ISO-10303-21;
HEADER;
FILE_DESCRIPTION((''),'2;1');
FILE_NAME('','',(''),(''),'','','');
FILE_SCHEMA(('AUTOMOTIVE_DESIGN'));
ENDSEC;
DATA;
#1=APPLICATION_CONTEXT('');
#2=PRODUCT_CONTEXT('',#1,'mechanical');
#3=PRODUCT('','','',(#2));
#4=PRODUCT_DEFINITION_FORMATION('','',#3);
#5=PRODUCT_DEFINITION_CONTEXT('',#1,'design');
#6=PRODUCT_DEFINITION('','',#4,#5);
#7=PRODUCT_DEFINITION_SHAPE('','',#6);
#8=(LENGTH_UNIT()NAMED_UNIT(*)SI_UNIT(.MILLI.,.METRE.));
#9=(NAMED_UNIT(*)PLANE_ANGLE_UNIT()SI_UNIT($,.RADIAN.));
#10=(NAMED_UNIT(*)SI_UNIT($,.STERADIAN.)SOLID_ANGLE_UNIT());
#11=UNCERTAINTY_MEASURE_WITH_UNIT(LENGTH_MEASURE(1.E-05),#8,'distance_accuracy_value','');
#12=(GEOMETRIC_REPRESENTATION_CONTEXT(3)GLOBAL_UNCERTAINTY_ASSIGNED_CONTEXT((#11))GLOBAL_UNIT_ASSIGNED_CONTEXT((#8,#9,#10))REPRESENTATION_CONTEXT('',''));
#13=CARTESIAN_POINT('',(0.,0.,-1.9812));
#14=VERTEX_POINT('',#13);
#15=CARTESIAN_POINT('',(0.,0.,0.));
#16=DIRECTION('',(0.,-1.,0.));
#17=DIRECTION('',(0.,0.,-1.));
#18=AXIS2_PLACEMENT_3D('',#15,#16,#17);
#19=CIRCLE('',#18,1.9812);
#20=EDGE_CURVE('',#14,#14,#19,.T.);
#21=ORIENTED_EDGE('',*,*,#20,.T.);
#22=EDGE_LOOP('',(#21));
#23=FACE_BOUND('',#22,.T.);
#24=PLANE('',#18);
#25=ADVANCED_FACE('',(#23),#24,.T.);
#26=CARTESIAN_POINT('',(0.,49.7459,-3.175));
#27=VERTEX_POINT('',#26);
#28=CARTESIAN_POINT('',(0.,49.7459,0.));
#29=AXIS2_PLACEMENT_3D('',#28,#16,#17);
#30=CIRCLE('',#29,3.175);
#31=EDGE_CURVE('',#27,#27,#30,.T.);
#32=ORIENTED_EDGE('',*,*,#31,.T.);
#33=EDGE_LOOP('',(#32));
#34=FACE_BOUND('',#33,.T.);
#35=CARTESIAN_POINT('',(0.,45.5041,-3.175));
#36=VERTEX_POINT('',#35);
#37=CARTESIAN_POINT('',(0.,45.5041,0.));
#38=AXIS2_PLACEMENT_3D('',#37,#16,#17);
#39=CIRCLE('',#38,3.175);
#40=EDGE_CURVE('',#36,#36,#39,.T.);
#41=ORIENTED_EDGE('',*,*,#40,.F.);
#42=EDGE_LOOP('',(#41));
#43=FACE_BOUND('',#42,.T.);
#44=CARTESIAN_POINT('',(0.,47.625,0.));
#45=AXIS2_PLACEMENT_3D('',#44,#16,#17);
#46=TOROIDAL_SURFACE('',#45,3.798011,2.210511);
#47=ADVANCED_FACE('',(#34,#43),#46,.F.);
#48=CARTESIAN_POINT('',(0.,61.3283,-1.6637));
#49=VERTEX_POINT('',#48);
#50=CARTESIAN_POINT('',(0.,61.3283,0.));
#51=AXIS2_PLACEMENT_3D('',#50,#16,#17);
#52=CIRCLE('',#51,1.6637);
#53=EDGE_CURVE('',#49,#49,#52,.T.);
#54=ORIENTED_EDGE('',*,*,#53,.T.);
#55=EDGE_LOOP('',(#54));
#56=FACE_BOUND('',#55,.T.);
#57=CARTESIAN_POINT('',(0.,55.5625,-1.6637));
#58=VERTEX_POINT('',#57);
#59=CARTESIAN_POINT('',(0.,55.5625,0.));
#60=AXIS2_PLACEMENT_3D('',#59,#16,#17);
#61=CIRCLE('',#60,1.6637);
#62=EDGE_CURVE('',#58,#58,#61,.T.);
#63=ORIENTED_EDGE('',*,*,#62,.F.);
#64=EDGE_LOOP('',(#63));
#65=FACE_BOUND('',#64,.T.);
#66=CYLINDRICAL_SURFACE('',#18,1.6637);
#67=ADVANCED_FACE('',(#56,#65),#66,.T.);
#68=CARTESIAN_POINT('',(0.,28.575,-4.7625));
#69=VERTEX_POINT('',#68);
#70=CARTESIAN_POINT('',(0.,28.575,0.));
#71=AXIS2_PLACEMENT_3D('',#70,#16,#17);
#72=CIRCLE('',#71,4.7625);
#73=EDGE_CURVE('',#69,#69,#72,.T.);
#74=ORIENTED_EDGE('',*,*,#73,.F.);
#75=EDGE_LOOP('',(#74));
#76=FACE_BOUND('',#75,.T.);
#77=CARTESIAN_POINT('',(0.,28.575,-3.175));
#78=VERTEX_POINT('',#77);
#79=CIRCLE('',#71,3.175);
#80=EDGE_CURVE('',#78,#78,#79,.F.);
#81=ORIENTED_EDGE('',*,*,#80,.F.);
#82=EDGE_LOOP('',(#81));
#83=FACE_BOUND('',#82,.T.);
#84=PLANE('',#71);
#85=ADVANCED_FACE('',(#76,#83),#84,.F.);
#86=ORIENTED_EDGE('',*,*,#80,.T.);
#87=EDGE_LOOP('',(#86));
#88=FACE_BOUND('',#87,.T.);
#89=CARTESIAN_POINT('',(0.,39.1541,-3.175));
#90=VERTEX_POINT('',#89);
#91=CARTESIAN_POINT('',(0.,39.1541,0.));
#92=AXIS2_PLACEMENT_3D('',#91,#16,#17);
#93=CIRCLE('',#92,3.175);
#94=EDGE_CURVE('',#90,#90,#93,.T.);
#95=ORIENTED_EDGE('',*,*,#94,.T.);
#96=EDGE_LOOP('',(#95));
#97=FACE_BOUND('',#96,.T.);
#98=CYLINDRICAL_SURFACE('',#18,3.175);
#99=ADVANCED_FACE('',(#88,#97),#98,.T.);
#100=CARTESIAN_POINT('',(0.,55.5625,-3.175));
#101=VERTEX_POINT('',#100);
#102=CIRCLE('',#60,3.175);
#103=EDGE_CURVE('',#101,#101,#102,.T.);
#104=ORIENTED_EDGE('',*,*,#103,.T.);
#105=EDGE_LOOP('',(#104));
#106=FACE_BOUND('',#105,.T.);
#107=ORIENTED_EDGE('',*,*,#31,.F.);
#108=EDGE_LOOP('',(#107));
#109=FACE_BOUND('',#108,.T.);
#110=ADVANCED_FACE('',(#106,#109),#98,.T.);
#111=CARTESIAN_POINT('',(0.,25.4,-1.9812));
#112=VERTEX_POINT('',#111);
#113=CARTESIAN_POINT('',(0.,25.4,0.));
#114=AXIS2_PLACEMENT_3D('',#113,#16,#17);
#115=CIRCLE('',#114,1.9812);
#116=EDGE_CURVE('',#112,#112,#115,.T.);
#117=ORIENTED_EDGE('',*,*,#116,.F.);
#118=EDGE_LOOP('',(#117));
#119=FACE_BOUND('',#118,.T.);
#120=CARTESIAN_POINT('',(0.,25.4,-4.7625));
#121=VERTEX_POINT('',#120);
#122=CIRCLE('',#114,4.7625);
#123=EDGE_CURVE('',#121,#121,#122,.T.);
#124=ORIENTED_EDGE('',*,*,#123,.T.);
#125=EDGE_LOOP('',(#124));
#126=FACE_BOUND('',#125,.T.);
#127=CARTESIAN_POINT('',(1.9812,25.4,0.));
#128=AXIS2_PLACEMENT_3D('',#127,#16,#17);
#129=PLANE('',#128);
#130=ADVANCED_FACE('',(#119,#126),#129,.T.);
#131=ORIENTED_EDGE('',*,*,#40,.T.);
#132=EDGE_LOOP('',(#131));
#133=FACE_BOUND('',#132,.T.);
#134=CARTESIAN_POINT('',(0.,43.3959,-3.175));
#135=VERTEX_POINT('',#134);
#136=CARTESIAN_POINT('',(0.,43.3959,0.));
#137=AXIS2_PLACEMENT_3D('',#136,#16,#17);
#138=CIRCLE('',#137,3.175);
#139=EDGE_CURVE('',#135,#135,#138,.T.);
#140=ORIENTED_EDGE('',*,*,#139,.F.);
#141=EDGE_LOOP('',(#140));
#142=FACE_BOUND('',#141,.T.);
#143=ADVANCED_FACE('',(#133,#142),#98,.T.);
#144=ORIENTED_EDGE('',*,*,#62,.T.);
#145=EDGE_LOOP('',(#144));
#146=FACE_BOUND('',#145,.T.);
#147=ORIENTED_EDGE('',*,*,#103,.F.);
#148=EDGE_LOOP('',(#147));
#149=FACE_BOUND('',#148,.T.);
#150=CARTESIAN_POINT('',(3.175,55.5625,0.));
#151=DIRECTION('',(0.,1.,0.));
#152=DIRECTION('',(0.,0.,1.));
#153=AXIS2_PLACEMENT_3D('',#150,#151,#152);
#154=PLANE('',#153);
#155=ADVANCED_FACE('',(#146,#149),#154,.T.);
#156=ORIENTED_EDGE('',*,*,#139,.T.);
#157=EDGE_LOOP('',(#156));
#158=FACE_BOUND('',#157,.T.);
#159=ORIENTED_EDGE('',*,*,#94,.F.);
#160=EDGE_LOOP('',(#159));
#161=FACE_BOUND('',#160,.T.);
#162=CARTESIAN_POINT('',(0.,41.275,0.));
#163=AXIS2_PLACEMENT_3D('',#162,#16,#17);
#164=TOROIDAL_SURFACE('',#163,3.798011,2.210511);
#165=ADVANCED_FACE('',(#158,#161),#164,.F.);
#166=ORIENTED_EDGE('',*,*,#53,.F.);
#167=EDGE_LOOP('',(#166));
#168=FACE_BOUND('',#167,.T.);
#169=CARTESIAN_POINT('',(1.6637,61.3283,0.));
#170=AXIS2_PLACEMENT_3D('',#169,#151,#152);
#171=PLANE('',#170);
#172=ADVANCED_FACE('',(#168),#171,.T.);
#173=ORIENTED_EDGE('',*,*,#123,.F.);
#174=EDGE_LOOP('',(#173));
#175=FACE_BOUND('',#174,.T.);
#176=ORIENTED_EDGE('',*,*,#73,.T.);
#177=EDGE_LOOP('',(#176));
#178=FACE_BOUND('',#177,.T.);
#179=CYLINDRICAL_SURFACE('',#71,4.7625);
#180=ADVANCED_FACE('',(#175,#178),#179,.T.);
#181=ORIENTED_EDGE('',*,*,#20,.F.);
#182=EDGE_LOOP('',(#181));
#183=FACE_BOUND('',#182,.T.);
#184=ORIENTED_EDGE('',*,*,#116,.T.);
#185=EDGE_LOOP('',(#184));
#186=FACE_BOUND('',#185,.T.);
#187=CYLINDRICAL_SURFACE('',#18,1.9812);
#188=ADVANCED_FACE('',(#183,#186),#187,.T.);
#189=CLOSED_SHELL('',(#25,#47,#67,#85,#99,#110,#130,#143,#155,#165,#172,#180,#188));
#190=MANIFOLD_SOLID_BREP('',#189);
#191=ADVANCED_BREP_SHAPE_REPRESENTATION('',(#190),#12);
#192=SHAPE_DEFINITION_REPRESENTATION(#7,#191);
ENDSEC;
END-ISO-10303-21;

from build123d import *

# Parameters (mm, degrees)
SKETCH2_R           = 4.7625
BOSS_EXTRUDE1_DEPTH = 3.175
LPATTERN1_COUNT     = 2
LPATTERN1_PITCH     = 6.35


with BuildPart() as part:
    # Sketch1 → Revolve1 (revolve)
    with BuildSketch(Plane.XY, mode=Mode.PRIVATE) as revolve1_sk:
        Polygon((0, 0), (1.9812, 0), (1.9812, 25.4), (3.175, 25.4), (3.175, 55.5625), (1.6637, 55.5625), (1.6637, 61.3283), (0, 61.3283), align=None)
    revolve(revolve1_sk.sketch.rotate(Axis((0, 0, 0), (0, 1, 0)), 90), axis=Axis((0, 0, 0), (0, 1, 0)))  # turned: the seam where the file's is

    # Sketch2 → Boss-Extrude1 (add)
    with BuildSketch(Plane.XZ.offset(-25.4)):
        with Locations(Location((0, 0, 0), (0, 0, 270))):  # turned: the seam where the file's is
            Circle(SKETCH2_R)
    extrude(amount=-BOSS_EXTRUDE1_DEPTH)

    # Sketch4 → Cut-Revolve1 (revolve, cut)
    with BuildSketch(Plane(origin=(0, 0, 0), x_dir=(0, 0, -1), z_dir=(1, 0, 0))):
        with BuildLine():
            Line((3.175, 39.1541), (3.175, 43.3959))
            ThreePointArc((3.175, 43.3959), (1.5875, 41.275), (3.175, 39.1541))
        make_face()
    cut_revolve1 = revolve(axis=Axis((0, 0, 0), (0, 1, 0)), mode=Mode.SUBTRACT)

    # LPattern1: Cut-Revolve1 ×2
    with Locations(*[(0, i * LPATTERN1_PITCH, 0) for i in range(1, LPATTERN1_COUNT)]):
        add(cut_revolve1, mode=Mode.SUBTRACT)


solid = part.part
